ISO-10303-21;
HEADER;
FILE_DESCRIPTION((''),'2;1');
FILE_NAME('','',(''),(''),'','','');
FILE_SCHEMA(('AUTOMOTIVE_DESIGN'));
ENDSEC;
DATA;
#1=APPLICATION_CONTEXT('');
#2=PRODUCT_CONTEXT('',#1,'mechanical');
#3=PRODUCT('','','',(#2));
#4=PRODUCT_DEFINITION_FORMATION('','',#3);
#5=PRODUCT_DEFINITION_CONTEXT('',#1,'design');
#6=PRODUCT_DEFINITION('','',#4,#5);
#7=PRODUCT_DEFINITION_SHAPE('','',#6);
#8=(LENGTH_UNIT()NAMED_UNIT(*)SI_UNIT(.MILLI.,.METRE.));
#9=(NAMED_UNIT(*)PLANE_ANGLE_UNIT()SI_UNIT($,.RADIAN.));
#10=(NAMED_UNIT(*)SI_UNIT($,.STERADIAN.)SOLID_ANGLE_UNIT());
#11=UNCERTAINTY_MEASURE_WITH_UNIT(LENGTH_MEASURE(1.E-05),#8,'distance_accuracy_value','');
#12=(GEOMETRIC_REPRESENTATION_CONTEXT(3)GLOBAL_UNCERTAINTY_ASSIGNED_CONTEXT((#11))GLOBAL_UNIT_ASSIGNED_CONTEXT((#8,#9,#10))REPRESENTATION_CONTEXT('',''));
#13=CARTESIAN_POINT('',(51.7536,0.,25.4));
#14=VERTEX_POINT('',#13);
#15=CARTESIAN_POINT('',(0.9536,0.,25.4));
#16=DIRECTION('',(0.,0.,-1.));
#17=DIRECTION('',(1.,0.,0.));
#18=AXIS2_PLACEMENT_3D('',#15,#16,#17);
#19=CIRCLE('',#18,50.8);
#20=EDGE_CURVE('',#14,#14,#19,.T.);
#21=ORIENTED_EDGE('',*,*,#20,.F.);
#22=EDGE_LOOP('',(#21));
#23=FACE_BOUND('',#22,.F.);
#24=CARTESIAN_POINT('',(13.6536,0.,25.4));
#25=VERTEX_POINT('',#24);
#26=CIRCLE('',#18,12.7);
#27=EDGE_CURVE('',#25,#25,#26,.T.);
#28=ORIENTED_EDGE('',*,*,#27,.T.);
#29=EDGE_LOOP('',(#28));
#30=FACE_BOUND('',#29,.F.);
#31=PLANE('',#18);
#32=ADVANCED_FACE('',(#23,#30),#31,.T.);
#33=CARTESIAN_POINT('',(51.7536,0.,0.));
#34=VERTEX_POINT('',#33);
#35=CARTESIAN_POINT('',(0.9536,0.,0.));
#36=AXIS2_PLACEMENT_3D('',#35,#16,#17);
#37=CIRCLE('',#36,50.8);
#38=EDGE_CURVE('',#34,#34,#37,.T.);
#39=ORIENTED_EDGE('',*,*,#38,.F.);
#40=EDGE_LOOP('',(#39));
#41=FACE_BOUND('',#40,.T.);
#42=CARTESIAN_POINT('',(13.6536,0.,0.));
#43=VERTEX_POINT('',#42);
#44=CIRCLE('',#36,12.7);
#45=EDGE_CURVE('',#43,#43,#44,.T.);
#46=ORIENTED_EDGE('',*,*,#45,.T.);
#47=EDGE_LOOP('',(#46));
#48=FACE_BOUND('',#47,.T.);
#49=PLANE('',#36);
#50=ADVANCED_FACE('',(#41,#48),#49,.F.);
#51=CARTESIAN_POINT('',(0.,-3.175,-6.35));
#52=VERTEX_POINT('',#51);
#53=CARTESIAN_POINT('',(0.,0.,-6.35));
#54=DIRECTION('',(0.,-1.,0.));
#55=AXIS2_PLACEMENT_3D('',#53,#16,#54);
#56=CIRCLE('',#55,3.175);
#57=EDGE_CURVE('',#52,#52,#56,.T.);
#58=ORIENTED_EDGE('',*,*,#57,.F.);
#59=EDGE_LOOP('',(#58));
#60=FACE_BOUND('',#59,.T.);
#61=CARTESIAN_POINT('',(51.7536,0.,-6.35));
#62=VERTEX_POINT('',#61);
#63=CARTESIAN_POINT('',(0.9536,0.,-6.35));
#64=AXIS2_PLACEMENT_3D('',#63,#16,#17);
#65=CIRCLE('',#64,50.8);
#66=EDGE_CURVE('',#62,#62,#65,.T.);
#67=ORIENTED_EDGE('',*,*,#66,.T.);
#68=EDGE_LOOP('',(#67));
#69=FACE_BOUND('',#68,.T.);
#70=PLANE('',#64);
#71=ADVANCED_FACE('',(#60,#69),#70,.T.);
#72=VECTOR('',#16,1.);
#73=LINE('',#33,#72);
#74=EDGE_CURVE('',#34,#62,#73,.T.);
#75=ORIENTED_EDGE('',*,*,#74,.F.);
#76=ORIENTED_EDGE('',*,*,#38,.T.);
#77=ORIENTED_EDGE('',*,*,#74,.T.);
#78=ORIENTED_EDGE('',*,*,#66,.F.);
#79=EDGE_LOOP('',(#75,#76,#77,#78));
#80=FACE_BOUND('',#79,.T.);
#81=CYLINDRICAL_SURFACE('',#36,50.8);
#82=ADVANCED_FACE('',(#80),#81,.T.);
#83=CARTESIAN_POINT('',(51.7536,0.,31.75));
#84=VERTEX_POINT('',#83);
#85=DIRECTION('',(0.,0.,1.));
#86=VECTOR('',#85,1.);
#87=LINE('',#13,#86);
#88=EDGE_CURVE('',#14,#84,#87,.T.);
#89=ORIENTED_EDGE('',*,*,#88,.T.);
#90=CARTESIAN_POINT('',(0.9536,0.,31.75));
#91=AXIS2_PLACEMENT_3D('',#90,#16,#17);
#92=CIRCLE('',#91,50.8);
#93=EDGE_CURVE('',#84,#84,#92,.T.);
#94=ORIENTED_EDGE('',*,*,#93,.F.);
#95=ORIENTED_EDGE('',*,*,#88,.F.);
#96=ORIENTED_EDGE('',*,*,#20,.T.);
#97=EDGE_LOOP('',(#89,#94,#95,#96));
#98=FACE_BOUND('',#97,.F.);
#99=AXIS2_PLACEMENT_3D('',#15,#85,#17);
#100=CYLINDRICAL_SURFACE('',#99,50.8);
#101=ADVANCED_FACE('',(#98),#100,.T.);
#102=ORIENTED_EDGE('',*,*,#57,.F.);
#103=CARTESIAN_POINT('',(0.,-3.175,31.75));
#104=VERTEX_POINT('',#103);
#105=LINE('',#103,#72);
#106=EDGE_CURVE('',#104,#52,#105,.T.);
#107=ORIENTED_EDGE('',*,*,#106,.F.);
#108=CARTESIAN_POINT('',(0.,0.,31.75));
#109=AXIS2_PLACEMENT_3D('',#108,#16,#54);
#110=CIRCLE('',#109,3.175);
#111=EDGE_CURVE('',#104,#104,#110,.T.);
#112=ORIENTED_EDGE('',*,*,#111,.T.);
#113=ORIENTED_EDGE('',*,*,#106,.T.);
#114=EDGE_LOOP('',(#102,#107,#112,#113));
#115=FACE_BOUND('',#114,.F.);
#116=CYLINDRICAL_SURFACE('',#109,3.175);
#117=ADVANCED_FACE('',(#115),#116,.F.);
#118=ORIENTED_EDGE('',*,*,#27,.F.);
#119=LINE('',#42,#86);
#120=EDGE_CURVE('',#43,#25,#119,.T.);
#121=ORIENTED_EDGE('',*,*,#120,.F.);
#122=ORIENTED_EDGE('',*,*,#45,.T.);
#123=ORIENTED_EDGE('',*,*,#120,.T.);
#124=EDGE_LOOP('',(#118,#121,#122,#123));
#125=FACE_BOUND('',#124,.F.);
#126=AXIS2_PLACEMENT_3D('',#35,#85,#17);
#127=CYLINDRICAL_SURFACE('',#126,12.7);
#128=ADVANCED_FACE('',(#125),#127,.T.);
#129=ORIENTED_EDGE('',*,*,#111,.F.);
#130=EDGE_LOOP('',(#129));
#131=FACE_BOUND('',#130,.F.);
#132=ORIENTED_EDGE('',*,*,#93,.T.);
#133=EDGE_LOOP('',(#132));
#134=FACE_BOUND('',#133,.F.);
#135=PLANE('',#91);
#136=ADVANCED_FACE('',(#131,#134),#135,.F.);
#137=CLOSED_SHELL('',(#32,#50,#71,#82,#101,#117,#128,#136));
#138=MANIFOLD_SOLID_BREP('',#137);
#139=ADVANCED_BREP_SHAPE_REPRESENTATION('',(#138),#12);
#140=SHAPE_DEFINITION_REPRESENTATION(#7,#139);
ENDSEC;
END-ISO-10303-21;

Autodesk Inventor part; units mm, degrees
ref_plane "YZ Plane" through (0, 0, 0) normal (1, 0, 0) x (0, 1, 0)
ref_plane "XZ Plane" through (0, 0, 0) normal (0, 1, 0) x (-1, 0, 0)
ref_plane "XY Plane" through (0, 0, 0) normal (0, 0, 1) x (1, 0, 0)
sketch "Sketch1" plane through (0, 0, 0) normal (0, 1, 0) x (-1, 0, 0)
  point P0 (0, 0)
sketch "Sketch2" plane through (0, 0, 0) normal (0, 1, 0) x (-1, 0, 0)
  line L0 (-51.7536, 0) -> (-51.7536, -6.35)
  line L1 (-51.7536, -6.35) -> (-0.9536, -6.35)
  line L2 (-0.9536, -6.35) -> (-0.9536, 6.35)
  line L3 (-13.6536, 0) -> (-13.6536, 25.4)
  line L4 (-0.9536, 25.4) -> (-0.9536, 6.35)
  line L5 (-13.6536, 0) -> (-51.7536, 0)
  line L6 (-51.7536, 25.4) -> (-51.7536, 31.75)
  line L7 (-51.7536, 31.75) -> (-0.9536, 31.75)
  line L8 (-0.9536, 31.75) -> (-0.9536, 25.4)
  line L9 (-13.6536, 25.4) -> (-51.7536, 25.4)
  point P0 (0, 0)
  dimension "d0" = 50.8
  dimension "d1" = 6.35
  dimension "d2" = 12.7
  dimension "d3" = 25.4
  dimension "d5" = 6.35
revolve "Revolution1" add sketch "Sketch2" angle 360 about axis through (0.9536, 0, 25.4) along (0, 0, -1)
sketch "Sketch3" plane through (0.9536, 0, 31.75) normal (0, 0, 1) x (1, 0, 0)
  circle A0 centre (0, 0) radius 50.8 projected
  point P0 (-0.9536, 0)
hole "Hole1" at (0, 0, 31.75) direction (0, 0, -1) diameter 6.35 end through all
properties part number "spool model"
